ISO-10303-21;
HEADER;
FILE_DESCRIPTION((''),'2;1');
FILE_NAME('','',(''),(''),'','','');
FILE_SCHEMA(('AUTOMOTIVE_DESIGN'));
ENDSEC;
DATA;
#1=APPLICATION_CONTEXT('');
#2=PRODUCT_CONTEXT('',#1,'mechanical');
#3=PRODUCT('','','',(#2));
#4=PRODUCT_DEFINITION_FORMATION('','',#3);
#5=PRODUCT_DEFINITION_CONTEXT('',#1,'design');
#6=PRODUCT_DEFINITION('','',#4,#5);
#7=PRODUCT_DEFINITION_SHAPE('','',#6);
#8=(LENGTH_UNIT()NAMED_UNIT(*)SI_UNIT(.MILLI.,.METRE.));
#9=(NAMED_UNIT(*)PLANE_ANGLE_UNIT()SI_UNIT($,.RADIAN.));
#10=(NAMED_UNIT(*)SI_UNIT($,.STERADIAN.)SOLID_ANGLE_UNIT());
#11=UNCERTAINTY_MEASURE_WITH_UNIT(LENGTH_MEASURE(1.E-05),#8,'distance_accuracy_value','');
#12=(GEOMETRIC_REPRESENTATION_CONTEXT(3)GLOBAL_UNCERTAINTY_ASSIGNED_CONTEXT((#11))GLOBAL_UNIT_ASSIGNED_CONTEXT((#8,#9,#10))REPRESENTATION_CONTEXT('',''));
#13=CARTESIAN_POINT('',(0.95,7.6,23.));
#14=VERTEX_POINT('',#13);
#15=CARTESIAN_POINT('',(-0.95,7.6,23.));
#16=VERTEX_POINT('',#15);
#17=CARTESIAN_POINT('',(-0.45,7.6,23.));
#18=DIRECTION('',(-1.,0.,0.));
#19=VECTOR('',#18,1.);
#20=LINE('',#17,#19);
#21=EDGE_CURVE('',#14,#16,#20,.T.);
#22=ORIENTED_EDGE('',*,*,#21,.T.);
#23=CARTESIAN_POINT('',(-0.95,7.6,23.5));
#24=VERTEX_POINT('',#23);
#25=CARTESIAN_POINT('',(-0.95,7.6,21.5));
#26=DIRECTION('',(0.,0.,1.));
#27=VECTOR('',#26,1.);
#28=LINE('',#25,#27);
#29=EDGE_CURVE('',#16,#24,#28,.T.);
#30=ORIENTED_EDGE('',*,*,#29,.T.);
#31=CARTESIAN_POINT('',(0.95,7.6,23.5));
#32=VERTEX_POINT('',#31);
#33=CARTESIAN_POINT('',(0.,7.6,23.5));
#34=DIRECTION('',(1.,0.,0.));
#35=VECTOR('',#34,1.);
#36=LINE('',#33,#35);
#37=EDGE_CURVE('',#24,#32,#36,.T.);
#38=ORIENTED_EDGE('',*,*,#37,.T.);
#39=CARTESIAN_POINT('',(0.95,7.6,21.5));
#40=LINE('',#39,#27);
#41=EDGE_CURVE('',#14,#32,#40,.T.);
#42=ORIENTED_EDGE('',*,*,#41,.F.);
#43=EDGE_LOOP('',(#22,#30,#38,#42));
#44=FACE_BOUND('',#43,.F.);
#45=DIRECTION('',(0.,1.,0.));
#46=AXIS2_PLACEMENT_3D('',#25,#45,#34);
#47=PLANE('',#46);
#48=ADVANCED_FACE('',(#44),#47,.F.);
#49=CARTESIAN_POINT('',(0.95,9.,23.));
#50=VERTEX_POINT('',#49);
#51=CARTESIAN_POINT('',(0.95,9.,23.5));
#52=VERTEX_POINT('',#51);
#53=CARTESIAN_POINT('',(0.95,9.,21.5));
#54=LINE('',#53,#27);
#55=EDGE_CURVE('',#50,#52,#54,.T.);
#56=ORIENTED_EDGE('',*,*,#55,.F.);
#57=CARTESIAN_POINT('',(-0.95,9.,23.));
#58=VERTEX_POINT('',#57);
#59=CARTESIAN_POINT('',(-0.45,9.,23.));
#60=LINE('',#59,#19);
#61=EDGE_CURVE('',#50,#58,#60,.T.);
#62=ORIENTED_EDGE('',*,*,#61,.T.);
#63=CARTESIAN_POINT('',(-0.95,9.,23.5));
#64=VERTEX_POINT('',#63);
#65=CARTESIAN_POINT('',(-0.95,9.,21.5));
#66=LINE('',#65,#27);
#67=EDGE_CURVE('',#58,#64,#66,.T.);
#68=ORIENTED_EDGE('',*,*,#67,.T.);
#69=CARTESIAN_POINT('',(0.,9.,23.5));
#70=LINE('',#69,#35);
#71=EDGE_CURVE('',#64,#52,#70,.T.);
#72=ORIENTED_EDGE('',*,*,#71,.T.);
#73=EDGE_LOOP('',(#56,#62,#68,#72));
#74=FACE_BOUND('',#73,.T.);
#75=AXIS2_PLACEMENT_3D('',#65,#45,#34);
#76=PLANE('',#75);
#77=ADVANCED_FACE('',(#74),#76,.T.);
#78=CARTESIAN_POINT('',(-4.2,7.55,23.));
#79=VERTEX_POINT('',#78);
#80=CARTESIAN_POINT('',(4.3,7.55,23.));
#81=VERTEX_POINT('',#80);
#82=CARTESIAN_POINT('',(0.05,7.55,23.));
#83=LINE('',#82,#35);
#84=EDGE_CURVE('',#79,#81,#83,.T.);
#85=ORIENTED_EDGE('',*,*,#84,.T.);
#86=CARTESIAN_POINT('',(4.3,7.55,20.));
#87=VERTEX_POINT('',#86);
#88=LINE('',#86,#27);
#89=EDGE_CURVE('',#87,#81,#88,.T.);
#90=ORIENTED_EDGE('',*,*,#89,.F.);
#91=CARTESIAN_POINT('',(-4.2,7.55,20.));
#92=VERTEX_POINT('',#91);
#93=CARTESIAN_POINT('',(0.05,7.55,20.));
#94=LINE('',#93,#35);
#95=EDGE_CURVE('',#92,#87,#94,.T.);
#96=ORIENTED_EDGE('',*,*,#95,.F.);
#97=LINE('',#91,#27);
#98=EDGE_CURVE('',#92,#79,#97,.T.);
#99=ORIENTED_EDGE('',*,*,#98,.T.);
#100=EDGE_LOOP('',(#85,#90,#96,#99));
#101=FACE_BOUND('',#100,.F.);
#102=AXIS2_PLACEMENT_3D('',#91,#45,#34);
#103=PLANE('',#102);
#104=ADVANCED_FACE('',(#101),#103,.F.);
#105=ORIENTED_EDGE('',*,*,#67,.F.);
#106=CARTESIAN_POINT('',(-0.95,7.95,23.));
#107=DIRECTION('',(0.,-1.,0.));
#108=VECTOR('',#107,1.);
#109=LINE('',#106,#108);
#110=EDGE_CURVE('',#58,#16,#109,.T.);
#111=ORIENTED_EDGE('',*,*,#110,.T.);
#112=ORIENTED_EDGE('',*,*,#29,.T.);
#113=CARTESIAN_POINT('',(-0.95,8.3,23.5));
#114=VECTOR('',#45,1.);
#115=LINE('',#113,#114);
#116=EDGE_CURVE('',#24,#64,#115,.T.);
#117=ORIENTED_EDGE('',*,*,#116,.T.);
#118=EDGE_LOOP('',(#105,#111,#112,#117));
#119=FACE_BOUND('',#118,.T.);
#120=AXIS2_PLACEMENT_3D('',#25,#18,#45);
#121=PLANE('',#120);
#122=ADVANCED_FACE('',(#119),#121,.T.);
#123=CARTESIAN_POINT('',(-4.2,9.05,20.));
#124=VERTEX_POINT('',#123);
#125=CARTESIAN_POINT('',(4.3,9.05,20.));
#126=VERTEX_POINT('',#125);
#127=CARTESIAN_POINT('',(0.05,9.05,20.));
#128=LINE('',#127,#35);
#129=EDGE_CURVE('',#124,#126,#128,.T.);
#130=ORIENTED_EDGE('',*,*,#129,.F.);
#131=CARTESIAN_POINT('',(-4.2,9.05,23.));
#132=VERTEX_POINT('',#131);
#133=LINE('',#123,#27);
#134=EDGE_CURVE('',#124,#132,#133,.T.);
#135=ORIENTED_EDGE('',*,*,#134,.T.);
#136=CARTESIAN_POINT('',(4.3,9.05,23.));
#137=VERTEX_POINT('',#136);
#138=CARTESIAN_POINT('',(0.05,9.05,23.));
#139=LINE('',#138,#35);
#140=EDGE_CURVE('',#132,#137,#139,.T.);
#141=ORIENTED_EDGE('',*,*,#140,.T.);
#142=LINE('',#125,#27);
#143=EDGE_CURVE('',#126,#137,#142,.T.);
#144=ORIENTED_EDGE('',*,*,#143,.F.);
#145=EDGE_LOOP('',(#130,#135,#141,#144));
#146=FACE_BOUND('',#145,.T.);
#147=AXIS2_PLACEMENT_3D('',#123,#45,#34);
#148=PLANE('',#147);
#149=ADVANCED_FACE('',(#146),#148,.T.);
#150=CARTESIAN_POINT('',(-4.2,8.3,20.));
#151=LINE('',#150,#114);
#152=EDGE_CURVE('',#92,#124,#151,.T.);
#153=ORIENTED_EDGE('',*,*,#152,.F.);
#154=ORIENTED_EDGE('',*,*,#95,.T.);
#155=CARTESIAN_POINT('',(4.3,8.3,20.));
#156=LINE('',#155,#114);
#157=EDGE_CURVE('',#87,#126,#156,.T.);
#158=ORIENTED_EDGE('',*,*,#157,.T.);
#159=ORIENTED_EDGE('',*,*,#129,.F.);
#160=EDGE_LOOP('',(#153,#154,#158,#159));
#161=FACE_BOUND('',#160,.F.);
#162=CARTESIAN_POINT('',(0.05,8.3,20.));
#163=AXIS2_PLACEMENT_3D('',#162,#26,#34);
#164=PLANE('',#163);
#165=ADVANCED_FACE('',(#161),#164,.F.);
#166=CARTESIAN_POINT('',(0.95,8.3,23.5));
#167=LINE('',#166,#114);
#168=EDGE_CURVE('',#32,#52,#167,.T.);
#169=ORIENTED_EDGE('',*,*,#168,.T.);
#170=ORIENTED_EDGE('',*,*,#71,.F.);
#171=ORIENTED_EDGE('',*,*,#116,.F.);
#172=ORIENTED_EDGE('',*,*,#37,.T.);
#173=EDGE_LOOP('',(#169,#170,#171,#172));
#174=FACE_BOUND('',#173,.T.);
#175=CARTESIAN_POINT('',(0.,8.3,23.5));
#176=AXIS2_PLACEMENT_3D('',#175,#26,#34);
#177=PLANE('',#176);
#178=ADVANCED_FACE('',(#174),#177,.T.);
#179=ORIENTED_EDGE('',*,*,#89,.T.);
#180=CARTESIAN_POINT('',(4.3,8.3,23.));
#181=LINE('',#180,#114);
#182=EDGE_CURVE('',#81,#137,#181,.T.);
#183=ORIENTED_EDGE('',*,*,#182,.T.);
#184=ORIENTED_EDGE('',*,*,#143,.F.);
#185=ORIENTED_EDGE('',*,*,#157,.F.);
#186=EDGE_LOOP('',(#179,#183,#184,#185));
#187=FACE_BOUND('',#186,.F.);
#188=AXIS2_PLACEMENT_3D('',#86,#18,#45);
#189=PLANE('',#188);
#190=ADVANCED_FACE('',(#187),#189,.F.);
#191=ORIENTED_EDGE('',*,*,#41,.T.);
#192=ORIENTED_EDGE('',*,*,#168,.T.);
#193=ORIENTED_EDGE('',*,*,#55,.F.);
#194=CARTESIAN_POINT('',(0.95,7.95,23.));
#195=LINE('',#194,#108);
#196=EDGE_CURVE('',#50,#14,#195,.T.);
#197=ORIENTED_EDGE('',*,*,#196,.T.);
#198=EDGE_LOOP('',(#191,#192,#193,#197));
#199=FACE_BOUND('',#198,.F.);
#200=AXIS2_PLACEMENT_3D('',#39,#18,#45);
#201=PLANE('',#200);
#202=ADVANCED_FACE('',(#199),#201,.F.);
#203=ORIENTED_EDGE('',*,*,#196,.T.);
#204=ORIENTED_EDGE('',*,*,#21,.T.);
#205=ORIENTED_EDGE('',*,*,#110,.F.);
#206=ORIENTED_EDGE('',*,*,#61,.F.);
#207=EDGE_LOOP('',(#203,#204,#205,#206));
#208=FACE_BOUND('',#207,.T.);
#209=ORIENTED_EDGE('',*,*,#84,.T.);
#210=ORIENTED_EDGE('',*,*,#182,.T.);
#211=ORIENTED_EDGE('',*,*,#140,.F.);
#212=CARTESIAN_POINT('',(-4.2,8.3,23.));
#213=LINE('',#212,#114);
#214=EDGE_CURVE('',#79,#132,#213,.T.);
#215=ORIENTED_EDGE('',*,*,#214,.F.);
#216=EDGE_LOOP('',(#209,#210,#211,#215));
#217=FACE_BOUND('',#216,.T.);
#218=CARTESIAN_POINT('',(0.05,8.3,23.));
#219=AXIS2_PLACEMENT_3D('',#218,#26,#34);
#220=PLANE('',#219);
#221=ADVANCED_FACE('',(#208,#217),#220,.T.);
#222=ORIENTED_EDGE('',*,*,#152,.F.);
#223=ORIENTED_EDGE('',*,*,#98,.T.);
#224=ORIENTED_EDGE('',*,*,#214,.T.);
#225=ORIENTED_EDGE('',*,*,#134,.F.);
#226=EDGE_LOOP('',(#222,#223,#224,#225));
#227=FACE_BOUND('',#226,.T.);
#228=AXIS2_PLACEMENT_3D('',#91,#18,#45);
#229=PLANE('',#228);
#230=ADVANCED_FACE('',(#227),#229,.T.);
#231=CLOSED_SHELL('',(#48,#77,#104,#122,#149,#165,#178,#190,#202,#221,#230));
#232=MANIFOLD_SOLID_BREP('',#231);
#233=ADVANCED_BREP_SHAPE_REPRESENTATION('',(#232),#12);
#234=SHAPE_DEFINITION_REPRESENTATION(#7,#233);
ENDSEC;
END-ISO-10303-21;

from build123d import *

# Parameters (mm, degrees)
BOX006_W     = 1.9
BOX006_H     = 1.4
BOX006_DEPTH = 2
BOX005_W     = 8.5
BOX005_H     = 1.5
BOX005_DEPTH = 3


with BuildPart() as cubo007:
    # Box006 → Box006 (new body)
    with BuildSketch(Plane(origin=(-1, 7.6, 3.5), x_dir=(1, 0, 0), z_dir=(0, 0, 1))):
        with Locations((0.95, 0.7)):
            Rectangle(BOX006_W, BOX006_H)
    extrude(amount=BOX006_DEPTH)


with BuildPart() as sujetaconector:
    # Box005 → Box005 (new body)
    with BuildSketch(Plane(origin=(-4.25, 7.55, 2), x_dir=(1, 0, 0), z_dir=(0, 0, 1))):
        with Locations((4.25, 0.75)):
            Rectangle(BOX005_W, BOX005_H)
    extrude(amount=BOX005_DEPTH)

    # Fusion: union Cubo007
    add(cubo007.part)


with BuildPart() as sujetaconector_1:
    # Fusion placement: moved
    add(sujetaconector.part.moved(Location((0.05, 0, 18))))


solid = sujetaconector_1.part
